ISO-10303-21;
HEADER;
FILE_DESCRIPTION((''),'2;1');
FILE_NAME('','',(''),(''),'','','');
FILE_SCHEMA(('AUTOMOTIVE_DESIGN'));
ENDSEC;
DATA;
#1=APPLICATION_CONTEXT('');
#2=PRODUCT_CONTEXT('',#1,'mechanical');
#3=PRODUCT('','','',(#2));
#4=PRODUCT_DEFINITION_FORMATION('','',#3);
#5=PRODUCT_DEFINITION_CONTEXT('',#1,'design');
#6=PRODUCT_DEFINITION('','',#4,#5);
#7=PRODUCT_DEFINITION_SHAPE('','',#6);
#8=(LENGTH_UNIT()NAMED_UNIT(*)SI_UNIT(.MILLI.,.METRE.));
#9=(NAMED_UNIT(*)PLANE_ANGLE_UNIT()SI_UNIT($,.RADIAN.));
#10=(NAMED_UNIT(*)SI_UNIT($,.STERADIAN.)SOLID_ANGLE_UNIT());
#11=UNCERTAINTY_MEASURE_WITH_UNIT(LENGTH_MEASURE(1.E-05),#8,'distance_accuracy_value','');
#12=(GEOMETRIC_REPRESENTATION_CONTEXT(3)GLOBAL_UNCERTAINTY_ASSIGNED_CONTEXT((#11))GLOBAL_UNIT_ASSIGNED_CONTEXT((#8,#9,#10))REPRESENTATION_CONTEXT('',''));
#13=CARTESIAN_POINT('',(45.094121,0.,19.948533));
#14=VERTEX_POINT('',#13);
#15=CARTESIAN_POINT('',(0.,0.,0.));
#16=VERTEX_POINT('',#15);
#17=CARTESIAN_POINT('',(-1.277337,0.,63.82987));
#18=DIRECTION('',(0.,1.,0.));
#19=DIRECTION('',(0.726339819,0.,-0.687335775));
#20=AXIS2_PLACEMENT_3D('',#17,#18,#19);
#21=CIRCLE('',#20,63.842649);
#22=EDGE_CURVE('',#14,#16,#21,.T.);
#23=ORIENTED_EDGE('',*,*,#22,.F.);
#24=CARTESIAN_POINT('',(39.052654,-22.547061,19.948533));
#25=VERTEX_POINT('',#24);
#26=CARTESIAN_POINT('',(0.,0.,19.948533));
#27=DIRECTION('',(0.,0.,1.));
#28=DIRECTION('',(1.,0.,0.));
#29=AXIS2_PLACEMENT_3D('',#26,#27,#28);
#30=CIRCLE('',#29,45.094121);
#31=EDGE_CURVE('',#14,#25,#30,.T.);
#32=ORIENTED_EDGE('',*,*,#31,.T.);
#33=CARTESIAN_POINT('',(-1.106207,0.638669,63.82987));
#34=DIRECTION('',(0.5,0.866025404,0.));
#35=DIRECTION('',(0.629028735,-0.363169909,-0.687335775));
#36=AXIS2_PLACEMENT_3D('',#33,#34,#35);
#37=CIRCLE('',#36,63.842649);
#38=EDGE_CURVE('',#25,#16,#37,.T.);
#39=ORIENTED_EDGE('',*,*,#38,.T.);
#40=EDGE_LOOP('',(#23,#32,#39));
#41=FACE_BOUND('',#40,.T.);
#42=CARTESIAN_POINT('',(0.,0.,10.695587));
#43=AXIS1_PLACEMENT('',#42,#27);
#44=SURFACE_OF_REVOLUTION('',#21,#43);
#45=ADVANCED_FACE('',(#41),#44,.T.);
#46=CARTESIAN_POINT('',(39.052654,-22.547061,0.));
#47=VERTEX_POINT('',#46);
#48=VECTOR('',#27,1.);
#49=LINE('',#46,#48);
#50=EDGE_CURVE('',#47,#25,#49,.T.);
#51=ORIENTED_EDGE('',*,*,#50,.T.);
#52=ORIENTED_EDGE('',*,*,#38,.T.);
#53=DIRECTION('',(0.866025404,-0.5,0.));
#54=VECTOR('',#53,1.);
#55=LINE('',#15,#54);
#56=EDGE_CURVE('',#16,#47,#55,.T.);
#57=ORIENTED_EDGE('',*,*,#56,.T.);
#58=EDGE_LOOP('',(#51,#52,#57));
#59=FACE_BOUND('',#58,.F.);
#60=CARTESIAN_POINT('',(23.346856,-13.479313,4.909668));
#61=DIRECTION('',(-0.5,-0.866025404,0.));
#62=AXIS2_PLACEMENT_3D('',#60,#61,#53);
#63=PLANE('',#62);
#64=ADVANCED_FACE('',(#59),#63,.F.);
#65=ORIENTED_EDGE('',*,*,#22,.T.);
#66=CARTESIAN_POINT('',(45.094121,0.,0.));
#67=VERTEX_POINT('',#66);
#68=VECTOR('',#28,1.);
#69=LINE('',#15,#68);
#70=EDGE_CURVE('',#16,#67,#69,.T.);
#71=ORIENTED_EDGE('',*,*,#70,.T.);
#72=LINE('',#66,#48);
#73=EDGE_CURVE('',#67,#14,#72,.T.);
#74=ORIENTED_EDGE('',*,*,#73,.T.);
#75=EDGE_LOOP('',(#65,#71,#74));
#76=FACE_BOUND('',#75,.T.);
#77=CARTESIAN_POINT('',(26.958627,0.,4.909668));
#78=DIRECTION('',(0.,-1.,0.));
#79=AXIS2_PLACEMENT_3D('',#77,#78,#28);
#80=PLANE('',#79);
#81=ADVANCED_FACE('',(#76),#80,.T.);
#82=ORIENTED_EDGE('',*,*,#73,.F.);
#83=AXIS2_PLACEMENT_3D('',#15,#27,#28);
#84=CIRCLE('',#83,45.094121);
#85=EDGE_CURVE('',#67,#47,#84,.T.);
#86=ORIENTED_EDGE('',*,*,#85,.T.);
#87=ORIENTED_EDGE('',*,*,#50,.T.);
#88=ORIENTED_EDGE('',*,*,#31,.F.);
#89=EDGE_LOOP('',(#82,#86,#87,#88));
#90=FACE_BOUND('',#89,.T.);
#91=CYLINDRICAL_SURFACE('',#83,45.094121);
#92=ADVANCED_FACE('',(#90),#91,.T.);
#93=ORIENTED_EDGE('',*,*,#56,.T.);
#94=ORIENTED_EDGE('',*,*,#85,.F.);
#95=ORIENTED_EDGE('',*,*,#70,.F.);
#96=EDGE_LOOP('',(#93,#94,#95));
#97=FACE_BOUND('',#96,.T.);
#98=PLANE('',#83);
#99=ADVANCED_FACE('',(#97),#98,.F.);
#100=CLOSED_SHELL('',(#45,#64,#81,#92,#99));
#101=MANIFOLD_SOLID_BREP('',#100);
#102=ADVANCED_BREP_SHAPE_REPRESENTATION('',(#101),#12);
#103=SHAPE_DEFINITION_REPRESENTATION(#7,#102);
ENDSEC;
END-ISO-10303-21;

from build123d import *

# Parameters (mm, degrees)
F1_ANGLE = 330


with BuildPart() as f1:
    # F0 (on Front) → F1 (revolve)
    with BuildSketch(Plane.XZ):
        with BuildLine():
            ThreePointArc((45.094121, 19.948533), (24.550708, 5.444975), (0, 0))
            Line((0, 0), (45.094121, 0))
            Line((45.094121, 0), (45.094121, 19.948533))
        make_face()
    revolve(axis=Axis((0, 0, 10.695587), (0, 0, 1)), revolution_arc=F1_ANGLE)


solid = f1.part
